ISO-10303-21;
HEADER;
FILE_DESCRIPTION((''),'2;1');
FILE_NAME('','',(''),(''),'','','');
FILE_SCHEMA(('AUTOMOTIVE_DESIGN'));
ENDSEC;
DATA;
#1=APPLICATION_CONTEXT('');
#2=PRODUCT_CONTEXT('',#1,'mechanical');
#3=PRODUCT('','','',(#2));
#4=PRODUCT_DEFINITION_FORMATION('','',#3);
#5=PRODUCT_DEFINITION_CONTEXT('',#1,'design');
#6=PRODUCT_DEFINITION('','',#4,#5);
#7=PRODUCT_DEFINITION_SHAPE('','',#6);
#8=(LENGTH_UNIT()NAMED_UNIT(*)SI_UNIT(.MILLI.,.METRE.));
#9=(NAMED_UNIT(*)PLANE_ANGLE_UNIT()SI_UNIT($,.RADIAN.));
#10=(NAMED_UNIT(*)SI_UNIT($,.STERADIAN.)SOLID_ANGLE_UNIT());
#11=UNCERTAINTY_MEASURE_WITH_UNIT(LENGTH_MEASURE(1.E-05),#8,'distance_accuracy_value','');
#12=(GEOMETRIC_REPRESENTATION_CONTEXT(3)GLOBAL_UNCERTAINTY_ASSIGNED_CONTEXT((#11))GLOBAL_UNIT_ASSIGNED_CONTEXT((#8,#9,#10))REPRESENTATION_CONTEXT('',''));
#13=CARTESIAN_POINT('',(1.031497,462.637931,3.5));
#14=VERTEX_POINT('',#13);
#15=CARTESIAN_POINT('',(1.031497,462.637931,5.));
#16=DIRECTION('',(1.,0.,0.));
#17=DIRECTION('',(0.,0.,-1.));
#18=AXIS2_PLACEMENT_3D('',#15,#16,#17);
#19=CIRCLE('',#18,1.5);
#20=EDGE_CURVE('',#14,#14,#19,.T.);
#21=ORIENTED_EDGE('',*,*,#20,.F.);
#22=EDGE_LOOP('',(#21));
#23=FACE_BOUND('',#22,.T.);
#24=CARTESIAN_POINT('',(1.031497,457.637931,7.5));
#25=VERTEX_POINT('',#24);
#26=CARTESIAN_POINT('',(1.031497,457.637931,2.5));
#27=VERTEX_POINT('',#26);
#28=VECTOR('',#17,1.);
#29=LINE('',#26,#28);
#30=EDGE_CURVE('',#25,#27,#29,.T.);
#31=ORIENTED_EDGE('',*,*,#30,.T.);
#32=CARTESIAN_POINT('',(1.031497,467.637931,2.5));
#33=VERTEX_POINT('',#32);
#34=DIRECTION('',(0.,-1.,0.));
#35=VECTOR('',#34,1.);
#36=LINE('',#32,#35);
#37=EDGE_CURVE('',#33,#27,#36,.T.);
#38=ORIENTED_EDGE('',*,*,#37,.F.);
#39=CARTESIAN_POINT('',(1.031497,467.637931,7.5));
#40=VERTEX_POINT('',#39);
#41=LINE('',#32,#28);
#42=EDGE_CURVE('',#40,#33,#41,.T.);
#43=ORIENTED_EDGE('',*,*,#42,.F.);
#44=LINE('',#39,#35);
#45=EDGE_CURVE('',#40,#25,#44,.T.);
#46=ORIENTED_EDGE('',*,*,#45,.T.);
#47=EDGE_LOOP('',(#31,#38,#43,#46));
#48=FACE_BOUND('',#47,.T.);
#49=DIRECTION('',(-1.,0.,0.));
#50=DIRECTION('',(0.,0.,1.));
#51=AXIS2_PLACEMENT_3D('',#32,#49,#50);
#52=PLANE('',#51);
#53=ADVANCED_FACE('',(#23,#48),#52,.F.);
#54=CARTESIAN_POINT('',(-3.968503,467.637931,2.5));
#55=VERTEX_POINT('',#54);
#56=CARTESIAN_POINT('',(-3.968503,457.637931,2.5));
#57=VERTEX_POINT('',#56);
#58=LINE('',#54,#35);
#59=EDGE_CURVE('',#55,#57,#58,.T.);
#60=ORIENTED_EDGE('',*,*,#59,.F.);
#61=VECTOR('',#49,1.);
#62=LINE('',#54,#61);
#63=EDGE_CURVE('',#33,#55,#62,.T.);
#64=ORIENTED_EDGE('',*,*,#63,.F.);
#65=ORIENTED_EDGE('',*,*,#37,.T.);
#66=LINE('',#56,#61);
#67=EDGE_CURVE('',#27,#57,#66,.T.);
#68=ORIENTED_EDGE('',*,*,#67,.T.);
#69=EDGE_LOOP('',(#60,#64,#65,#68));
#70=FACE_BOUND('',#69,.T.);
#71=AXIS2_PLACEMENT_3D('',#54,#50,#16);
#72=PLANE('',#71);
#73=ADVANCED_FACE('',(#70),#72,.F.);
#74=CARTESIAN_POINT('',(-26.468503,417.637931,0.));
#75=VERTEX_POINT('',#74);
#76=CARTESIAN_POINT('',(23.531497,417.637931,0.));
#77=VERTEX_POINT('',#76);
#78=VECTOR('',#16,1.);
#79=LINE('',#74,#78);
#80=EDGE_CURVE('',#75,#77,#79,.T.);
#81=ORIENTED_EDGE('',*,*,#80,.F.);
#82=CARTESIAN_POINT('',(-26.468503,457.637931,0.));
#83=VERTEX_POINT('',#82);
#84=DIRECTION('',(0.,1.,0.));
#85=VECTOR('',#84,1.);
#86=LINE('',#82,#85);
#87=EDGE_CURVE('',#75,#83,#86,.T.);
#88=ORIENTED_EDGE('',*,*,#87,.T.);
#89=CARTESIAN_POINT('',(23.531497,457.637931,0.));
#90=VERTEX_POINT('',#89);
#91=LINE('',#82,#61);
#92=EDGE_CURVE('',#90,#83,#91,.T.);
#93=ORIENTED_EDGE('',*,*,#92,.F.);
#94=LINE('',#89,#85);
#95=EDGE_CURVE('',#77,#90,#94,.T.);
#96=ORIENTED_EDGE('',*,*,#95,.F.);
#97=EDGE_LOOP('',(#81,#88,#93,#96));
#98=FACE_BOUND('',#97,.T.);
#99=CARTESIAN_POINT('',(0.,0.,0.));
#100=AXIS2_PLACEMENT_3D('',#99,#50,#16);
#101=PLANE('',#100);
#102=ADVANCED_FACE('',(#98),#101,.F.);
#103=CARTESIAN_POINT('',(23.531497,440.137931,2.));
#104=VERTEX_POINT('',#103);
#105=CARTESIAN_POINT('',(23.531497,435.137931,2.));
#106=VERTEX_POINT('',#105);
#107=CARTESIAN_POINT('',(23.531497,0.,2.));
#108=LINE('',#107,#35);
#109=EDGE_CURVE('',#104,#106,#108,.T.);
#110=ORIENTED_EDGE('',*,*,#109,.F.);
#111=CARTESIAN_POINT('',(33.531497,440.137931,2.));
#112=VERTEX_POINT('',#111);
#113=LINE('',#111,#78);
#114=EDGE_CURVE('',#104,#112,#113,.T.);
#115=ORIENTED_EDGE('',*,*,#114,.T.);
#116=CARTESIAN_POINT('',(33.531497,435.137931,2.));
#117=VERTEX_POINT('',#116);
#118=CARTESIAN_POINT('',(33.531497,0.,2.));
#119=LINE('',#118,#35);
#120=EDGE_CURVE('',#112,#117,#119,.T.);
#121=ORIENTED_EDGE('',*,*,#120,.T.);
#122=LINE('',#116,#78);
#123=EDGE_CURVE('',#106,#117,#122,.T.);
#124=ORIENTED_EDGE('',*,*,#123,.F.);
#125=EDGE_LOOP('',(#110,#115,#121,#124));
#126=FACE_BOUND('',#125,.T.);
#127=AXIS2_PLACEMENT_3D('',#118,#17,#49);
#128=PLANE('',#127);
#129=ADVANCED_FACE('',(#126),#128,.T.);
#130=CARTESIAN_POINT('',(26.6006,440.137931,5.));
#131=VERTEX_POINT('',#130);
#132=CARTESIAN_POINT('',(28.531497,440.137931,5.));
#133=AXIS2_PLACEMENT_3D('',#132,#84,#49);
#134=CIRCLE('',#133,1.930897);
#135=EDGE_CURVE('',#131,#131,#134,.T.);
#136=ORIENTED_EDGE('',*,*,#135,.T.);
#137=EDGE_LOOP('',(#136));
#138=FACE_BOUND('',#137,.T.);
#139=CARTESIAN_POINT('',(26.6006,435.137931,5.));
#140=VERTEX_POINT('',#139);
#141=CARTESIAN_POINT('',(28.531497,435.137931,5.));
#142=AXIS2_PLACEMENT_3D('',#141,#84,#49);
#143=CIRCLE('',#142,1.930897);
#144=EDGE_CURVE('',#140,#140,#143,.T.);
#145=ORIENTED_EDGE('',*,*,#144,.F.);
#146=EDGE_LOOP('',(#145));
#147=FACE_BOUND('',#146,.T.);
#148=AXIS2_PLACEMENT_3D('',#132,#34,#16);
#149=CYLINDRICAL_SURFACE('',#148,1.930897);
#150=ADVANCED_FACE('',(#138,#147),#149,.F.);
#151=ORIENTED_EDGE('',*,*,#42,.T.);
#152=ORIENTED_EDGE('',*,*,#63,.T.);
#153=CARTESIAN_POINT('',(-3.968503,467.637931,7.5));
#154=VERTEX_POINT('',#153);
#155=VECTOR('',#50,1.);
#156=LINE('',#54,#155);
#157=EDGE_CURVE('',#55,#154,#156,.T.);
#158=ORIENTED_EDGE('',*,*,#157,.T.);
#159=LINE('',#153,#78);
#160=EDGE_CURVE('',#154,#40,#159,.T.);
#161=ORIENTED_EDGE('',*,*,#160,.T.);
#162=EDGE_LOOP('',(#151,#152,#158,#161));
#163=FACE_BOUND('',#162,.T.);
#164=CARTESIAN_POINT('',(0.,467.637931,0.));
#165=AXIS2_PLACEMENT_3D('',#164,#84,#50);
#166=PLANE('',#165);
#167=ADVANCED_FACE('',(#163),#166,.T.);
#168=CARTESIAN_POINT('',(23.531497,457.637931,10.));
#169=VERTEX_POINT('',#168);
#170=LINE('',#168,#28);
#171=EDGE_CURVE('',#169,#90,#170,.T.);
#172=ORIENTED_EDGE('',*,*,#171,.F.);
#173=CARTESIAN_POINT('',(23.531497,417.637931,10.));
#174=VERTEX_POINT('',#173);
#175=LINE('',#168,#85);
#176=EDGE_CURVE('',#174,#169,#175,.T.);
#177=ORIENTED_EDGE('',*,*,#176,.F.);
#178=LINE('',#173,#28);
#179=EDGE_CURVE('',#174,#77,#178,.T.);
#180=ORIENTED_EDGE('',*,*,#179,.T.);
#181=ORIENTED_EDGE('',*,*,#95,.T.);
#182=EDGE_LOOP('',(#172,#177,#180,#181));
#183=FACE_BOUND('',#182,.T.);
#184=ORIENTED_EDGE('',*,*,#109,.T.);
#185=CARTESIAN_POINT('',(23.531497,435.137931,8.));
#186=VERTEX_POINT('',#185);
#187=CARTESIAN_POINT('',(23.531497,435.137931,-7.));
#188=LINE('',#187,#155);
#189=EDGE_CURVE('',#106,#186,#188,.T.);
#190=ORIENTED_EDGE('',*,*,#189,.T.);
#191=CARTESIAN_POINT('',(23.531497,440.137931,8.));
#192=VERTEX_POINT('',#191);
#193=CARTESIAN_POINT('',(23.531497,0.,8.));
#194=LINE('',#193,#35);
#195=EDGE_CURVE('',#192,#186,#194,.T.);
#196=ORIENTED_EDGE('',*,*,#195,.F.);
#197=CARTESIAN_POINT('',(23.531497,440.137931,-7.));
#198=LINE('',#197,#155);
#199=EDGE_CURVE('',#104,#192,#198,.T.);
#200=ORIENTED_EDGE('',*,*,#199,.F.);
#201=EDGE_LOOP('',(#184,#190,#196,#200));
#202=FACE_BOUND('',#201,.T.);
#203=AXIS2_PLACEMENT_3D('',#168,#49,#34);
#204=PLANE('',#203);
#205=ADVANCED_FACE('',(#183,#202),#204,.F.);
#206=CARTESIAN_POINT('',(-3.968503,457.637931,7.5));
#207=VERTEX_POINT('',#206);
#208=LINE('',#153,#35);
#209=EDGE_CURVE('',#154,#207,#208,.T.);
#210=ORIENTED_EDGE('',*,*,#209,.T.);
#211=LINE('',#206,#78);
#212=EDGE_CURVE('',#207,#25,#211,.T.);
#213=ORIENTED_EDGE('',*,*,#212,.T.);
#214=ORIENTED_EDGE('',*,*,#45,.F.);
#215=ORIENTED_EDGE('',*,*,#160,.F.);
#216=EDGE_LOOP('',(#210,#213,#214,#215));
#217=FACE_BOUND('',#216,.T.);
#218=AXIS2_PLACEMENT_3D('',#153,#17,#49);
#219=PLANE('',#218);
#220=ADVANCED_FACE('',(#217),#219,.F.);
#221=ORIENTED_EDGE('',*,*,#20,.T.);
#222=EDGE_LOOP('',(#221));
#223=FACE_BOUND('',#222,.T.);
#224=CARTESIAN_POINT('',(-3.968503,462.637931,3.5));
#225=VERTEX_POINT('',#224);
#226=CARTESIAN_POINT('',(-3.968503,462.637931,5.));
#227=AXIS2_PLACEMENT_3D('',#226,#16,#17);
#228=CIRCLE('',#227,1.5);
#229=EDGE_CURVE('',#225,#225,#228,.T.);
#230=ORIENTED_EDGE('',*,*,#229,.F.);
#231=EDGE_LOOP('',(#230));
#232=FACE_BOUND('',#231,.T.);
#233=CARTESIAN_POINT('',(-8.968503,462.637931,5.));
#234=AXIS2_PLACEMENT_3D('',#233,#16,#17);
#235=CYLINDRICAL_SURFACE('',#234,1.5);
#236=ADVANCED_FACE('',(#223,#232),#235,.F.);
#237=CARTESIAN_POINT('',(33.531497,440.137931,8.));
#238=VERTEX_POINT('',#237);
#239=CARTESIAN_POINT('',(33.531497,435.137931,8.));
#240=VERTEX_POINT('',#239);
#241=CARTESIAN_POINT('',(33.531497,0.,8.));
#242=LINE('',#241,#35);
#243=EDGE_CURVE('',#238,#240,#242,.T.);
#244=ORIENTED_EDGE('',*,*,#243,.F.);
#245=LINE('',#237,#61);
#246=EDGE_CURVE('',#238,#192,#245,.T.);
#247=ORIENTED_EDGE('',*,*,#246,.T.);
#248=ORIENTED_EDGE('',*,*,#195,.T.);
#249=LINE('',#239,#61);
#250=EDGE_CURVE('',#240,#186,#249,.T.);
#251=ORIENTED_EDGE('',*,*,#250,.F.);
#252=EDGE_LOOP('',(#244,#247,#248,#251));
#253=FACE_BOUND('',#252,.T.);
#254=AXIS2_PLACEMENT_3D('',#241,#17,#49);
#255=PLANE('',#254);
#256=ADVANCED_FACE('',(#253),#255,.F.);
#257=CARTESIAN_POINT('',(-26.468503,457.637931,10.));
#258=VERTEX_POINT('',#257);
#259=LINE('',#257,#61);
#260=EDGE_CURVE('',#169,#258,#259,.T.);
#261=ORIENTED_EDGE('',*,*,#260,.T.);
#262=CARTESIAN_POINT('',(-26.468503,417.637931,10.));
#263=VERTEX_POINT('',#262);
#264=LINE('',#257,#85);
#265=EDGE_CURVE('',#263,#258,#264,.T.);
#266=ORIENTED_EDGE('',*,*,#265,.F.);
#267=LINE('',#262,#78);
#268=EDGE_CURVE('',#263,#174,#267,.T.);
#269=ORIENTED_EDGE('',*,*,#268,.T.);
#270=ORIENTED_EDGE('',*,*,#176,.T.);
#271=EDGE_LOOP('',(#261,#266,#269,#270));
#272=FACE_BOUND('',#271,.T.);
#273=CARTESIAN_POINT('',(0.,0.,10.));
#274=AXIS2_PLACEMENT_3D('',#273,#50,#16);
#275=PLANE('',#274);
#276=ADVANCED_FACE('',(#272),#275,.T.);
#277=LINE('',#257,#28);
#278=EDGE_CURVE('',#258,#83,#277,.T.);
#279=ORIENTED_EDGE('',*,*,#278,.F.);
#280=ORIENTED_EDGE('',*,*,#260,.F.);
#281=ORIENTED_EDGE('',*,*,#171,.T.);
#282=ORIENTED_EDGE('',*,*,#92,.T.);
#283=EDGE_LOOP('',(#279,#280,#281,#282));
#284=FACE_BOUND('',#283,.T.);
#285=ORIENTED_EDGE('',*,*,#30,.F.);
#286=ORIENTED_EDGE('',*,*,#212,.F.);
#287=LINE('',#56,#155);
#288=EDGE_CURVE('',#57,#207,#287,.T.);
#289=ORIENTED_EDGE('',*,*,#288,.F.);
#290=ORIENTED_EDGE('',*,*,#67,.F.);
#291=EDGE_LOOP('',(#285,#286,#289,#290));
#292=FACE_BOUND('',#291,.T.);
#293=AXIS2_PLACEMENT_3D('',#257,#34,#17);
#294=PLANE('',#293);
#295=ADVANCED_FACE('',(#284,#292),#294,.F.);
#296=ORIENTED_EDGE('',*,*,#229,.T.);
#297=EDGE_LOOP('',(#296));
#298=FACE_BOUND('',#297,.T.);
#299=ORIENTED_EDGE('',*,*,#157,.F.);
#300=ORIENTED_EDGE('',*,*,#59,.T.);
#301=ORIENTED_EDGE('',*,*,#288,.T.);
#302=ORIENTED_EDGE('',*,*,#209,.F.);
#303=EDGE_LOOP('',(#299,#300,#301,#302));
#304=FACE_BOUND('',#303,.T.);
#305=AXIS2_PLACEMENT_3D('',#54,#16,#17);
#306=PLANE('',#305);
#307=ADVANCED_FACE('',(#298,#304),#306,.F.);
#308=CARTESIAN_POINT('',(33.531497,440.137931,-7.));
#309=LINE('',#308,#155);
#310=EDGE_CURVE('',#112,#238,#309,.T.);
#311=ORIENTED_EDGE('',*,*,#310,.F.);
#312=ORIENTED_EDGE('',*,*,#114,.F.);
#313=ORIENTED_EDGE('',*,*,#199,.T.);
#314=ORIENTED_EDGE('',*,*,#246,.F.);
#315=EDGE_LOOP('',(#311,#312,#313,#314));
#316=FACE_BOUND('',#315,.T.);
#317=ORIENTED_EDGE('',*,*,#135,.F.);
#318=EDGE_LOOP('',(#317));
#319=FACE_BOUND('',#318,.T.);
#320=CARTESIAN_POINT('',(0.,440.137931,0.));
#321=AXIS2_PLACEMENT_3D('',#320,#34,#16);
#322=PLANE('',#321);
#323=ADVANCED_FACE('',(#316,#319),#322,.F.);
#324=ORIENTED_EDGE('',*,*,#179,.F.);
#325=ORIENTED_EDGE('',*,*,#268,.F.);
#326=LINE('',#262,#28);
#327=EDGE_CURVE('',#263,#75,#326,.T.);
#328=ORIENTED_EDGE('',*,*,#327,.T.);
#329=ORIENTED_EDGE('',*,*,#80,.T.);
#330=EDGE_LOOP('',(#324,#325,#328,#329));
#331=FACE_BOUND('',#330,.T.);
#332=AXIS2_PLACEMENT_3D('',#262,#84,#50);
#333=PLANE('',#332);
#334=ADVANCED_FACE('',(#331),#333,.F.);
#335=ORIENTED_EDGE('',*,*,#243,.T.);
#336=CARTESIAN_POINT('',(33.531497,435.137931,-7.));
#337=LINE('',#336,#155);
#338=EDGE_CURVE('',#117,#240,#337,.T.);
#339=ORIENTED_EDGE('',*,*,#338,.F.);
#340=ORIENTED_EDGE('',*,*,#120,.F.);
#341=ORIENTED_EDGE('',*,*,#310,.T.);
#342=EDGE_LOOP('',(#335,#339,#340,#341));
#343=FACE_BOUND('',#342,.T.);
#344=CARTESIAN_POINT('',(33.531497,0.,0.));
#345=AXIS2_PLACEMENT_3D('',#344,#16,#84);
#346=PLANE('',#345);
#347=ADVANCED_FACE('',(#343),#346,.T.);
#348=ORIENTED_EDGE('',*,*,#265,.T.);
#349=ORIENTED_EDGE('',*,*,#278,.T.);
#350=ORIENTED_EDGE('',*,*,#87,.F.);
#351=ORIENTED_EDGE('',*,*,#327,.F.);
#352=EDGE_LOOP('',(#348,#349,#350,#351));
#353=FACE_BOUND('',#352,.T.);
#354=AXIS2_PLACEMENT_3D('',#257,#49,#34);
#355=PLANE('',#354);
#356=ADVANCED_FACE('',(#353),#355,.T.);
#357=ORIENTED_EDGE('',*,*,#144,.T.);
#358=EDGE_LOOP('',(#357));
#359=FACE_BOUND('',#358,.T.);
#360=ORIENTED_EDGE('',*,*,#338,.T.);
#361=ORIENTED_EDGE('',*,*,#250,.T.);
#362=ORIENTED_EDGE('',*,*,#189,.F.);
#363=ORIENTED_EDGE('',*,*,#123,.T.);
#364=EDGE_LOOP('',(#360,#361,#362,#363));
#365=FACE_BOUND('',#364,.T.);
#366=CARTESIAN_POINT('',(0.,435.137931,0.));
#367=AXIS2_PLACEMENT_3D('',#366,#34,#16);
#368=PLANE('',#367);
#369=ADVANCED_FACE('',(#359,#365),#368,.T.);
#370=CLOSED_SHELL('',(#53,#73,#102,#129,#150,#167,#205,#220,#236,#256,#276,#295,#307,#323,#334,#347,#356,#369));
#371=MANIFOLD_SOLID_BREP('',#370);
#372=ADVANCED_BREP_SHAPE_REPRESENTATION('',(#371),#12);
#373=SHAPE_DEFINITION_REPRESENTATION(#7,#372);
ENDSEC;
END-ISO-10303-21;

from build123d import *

# Parameters (mm, degrees)
SKETCH1_W           = 50
SKETCH1_H           = 40
BOSS_EXTRUDE1_DEPTH = 10
SKETCH5_W           = 6
SKETCH5_H           = 5
BOSS_EXTRUDE3_DEPTH = 10
SKETCH6_R           = 2
CUT_EXTRUDE1_DEPTH  = 20
SKETCH8_W           = 10
SKETCH8_H           = 40
CUT_EXTRUDE2_DEPTH  = 25
SKETCH9_W           = 10
SKETCH9_H           = 6
SKETCH9_R           = 1.930897171
BOSS_EXTRUDE4_DEPTH = 5
SKETCH10_W          = 10
SKETCH10_H          = 5
CUT_EXTRUDE3_DEPTH  = 15
SKETCH11_W          = 5
SKETCH11_H          = 5
BOSS_EXTRUDE5_DEPTH = 10
SKETCH12_R          = 1.5
CUT_EXTRUDE4_DEPTH  = 10


with BuildPart() as part:
    # Sketch1 → Boss-Extrude1 (new body)
    with BuildSketch(Plane(origin=(669.84184187, 0, 0), x_dir=(1, 0, 0), z_dir=(0, 0, 1))):
        with Locations((-671.310344828, 437.637931034)):
            Rectangle(SKETCH1_W, SKETCH1_H)
    boss_extrude1 = extrude(amount=BOSS_EXTRUDE1_DEPTH)

    # Sketch5 → Boss-Extrude3 (add)
    with BuildSketch(Plane(origin=(23.531497042, 0, 0), x_dir=(0, 0, -1), z_dir=(1, 0, 0))):
        with Locations((-5, 442.637931034)):
            Rectangle(SKETCH5_W, SKETCH5_H)
        with Locations((-5, 432.637931034)):
            Rectangle(SKETCH5_W, SKETCH5_H)
    extrude(amount=BOSS_EXTRUDE3_DEPTH)

    # Sketch6 → Cut-Extrude1 (cut)
    with BuildSketch(Plane(origin=(669.84184187, 445.137931034, 0), x_dir=(1, 0, 0), z_dir=(0, 1, 0))):
        with Locations(Location((-641.310344828, -5, 0), (0, 0, 180))):
            Circle(SKETCH6_R)
    extrude(amount=-CUT_EXTRUDE1_DEPTH, mode=Mode.SUBTRACT)

    # Sketch8 → Cut-Extrude2 (cut)
    with BuildSketch(Plane.ZY.offset(26.468502958)):
        with Locations((5, 437.637931034)):
            Rectangle(SKETCH8_W, SKETCH8_H)
    extrude(amount=-CUT_EXTRUDE2_DEPTH, mode=Mode.SUBTRACT)

    # Sketch9 → Boss-Extrude4 (add)
    with BuildSketch(Plane(origin=(0, 435.137931034, 0), x_dir=(1, 0, 0), z_dir=(0, 1, 0))):
        with Locations((28.531497042, -5)):
            Rectangle(SKETCH9_W, SKETCH9_H)
        with Locations(Location((28.531497042, -5, 0), (0, 0, 180))):
            Circle(SKETCH9_R, mode=Mode.SUBTRACT)
    extrude(amount=BOSS_EXTRUDE4_DEPTH)

    # Sketch10 → Cut-Extrude3 (cut)
    with BuildSketch(Plane.XY.offset(8)):
        with Locations((28.531497042, 432.637931034)):
            Rectangle(SKETCH10_W, SKETCH10_H)
        with Locations((28.531497042, 442.637931034)):
            Rectangle(SKETCH10_W, SKETCH10_H)
    extrude(amount=-CUT_EXTRUDE3_DEPTH, mode=Mode.SUBTRACT)

    # Mirror1: Boss-Extrude1 across plane
    add(boss_extrude1.mirror(Plane(origin=(-1.468502958, 0, 0), x_dir=(0, 0, 1), z_dir=(1, 0, 0))))

    # Sketch11 → Boss-Extrude5 (add)
    with BuildSketch(Plane(origin=(0, 457.637931034, 0), x_dir=(1, 0, 0), z_dir=(0, 1, 0))):
        with Locations((-1.468502958, -5)):
            Rectangle(SKETCH11_W, SKETCH11_H)
    extrude(amount=BOSS_EXTRUDE5_DEPTH)

    # Sketch12 → Cut-Extrude4 (cut)
    with BuildSketch(Plane(origin=(1.031497042, 0, 0), x_dir=(0, 0, -1), z_dir=(1, 0, 0))):
        with Locations((-5, 462.637931034)):
            Circle(SKETCH12_R)
    extrude(amount=-CUT_EXTRUDE4_DEPTH, mode=Mode.SUBTRACT)


solid = part.part
